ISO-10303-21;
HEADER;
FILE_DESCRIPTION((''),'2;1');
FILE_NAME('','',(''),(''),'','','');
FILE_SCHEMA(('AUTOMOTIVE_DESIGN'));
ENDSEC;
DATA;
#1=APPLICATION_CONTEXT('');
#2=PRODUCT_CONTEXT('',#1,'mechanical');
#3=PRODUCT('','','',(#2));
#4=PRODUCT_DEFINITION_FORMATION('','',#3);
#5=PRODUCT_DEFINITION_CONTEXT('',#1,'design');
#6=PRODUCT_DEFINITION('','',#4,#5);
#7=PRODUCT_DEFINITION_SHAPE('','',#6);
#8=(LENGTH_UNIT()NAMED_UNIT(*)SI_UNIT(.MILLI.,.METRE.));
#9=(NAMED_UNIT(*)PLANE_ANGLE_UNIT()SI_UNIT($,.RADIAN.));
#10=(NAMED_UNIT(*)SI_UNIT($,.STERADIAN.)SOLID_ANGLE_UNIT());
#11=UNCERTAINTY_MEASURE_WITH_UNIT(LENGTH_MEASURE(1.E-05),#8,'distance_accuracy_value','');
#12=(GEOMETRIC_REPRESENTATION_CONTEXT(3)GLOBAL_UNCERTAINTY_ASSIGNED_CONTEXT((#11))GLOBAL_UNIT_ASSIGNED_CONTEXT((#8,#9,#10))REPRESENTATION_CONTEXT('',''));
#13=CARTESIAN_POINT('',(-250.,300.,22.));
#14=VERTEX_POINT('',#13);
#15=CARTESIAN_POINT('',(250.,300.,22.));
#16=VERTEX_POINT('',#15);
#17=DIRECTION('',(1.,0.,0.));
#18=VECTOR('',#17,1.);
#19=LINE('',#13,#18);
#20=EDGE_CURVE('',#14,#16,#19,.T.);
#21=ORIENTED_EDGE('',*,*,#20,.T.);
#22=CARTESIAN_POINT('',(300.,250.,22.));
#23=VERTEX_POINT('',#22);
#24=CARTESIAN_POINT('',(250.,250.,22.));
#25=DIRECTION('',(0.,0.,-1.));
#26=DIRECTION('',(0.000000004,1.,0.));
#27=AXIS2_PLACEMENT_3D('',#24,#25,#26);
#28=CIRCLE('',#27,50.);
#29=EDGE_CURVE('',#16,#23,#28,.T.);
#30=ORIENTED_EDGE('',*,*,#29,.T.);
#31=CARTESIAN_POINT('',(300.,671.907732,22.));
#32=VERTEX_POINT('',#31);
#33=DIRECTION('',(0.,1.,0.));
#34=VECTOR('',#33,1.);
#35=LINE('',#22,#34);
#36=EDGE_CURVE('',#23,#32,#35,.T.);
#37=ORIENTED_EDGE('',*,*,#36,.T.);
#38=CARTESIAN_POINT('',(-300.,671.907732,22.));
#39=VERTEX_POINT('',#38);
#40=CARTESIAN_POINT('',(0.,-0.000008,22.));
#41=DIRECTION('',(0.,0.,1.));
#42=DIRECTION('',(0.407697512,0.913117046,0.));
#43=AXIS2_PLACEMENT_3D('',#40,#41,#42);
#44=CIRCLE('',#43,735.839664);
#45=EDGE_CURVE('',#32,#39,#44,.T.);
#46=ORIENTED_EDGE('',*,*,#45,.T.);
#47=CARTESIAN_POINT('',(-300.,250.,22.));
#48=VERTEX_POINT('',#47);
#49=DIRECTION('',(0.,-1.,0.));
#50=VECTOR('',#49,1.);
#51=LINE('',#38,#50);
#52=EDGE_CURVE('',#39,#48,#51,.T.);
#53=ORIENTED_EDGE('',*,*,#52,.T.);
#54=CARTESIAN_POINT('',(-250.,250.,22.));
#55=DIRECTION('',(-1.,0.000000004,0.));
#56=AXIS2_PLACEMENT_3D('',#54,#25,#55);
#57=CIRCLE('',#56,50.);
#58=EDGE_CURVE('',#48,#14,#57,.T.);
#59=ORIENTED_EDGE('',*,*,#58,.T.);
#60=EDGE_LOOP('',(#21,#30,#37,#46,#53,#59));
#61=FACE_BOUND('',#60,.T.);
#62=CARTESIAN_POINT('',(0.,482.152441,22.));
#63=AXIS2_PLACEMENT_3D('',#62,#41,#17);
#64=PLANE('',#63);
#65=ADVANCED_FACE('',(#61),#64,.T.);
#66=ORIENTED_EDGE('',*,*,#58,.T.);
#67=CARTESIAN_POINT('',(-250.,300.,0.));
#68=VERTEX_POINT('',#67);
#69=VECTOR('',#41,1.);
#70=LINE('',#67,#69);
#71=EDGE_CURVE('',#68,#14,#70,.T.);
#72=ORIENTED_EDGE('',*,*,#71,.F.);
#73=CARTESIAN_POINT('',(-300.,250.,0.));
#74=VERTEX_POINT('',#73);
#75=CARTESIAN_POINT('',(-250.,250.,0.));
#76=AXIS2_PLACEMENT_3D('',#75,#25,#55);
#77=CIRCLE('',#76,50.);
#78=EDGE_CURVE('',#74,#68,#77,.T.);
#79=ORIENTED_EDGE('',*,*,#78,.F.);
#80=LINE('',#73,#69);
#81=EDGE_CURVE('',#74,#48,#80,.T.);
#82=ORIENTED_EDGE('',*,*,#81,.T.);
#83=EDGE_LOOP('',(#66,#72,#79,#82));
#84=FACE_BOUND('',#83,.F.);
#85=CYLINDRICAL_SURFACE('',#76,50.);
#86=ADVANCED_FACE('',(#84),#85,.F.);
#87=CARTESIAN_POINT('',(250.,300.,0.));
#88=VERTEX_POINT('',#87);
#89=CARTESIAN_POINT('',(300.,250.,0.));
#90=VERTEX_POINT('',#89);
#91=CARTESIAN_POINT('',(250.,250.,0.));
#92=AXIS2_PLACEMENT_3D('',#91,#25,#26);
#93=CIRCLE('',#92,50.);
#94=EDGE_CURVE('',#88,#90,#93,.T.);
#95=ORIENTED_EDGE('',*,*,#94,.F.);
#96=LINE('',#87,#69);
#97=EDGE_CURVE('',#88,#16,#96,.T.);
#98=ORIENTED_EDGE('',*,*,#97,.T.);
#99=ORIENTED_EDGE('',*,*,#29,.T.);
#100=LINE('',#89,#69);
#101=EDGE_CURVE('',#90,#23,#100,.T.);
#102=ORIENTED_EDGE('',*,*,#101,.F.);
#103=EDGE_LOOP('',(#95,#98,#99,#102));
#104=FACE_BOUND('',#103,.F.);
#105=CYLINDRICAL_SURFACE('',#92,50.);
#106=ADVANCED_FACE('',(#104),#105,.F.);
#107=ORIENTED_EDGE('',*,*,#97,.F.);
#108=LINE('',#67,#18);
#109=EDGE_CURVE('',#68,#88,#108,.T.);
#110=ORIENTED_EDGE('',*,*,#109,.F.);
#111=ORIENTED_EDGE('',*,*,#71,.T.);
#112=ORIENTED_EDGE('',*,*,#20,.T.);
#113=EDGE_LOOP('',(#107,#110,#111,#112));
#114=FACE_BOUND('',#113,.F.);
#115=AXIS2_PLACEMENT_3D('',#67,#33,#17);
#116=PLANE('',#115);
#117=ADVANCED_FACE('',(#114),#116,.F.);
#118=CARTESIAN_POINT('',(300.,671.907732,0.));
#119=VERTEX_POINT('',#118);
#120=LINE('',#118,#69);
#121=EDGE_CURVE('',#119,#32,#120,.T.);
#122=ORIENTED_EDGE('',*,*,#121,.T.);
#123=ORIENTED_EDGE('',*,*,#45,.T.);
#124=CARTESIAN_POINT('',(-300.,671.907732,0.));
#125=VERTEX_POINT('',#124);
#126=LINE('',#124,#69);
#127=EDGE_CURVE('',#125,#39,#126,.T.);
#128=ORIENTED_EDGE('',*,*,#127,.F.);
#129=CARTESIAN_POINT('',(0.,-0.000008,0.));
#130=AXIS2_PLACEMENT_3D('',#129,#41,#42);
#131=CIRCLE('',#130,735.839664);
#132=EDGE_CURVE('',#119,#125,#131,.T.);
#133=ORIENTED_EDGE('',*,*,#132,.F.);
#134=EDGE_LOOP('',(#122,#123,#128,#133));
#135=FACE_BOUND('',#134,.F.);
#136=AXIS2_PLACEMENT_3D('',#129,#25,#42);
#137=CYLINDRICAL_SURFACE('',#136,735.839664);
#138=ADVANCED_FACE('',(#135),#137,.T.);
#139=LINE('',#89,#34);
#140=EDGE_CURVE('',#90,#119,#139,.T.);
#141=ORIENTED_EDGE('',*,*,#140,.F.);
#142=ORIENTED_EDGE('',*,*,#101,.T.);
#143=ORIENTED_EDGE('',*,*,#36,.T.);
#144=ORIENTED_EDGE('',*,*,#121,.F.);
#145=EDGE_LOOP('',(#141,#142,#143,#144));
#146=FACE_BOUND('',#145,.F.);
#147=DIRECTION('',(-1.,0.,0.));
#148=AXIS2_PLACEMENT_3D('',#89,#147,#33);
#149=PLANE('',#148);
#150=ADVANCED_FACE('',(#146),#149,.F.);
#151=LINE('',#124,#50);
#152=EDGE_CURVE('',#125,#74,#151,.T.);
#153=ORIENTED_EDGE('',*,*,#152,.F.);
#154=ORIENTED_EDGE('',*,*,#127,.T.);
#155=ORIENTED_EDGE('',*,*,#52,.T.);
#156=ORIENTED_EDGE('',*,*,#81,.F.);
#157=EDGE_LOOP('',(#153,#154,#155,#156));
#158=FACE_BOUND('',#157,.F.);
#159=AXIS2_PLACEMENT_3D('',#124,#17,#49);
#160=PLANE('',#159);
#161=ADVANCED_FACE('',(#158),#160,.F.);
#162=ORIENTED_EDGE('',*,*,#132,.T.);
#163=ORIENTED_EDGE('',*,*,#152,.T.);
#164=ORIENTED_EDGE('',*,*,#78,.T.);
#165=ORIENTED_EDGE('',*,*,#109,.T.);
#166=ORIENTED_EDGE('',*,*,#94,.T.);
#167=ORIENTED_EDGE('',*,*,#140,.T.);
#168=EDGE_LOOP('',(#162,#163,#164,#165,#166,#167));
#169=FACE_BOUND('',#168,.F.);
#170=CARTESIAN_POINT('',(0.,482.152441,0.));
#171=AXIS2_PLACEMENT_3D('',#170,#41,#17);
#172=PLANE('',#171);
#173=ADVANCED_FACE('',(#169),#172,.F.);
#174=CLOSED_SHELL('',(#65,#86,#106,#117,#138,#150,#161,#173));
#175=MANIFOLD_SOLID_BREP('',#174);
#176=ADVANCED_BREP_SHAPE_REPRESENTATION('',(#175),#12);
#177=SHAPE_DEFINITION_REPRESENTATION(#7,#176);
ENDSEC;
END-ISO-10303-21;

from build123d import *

# Parameters (mm, degrees)
F1_DEPTH = 22


with BuildPart() as f1:
    # F0 (on Top) → F1 (new body)
    with BuildSketch(Plane.XY):
        with BuildLine():
            ThreePointArc((-300, 250), (-285.355339, 285.355339), (-250, 300))
            Line((-250, 300), (250, 300))
            ThreePointArc((250, 300), (285.355339, 285.355339), (300, 250))
            Line((300, 250), (300, 671.907732))
            ThreePointArc((300, 671.907732), (0, 735.839656), (-300, 671.907732))
            Line((-300, 671.907732), (-300, 250))
        make_face()
    extrude(amount=F1_DEPTH)


solid = f1.part
